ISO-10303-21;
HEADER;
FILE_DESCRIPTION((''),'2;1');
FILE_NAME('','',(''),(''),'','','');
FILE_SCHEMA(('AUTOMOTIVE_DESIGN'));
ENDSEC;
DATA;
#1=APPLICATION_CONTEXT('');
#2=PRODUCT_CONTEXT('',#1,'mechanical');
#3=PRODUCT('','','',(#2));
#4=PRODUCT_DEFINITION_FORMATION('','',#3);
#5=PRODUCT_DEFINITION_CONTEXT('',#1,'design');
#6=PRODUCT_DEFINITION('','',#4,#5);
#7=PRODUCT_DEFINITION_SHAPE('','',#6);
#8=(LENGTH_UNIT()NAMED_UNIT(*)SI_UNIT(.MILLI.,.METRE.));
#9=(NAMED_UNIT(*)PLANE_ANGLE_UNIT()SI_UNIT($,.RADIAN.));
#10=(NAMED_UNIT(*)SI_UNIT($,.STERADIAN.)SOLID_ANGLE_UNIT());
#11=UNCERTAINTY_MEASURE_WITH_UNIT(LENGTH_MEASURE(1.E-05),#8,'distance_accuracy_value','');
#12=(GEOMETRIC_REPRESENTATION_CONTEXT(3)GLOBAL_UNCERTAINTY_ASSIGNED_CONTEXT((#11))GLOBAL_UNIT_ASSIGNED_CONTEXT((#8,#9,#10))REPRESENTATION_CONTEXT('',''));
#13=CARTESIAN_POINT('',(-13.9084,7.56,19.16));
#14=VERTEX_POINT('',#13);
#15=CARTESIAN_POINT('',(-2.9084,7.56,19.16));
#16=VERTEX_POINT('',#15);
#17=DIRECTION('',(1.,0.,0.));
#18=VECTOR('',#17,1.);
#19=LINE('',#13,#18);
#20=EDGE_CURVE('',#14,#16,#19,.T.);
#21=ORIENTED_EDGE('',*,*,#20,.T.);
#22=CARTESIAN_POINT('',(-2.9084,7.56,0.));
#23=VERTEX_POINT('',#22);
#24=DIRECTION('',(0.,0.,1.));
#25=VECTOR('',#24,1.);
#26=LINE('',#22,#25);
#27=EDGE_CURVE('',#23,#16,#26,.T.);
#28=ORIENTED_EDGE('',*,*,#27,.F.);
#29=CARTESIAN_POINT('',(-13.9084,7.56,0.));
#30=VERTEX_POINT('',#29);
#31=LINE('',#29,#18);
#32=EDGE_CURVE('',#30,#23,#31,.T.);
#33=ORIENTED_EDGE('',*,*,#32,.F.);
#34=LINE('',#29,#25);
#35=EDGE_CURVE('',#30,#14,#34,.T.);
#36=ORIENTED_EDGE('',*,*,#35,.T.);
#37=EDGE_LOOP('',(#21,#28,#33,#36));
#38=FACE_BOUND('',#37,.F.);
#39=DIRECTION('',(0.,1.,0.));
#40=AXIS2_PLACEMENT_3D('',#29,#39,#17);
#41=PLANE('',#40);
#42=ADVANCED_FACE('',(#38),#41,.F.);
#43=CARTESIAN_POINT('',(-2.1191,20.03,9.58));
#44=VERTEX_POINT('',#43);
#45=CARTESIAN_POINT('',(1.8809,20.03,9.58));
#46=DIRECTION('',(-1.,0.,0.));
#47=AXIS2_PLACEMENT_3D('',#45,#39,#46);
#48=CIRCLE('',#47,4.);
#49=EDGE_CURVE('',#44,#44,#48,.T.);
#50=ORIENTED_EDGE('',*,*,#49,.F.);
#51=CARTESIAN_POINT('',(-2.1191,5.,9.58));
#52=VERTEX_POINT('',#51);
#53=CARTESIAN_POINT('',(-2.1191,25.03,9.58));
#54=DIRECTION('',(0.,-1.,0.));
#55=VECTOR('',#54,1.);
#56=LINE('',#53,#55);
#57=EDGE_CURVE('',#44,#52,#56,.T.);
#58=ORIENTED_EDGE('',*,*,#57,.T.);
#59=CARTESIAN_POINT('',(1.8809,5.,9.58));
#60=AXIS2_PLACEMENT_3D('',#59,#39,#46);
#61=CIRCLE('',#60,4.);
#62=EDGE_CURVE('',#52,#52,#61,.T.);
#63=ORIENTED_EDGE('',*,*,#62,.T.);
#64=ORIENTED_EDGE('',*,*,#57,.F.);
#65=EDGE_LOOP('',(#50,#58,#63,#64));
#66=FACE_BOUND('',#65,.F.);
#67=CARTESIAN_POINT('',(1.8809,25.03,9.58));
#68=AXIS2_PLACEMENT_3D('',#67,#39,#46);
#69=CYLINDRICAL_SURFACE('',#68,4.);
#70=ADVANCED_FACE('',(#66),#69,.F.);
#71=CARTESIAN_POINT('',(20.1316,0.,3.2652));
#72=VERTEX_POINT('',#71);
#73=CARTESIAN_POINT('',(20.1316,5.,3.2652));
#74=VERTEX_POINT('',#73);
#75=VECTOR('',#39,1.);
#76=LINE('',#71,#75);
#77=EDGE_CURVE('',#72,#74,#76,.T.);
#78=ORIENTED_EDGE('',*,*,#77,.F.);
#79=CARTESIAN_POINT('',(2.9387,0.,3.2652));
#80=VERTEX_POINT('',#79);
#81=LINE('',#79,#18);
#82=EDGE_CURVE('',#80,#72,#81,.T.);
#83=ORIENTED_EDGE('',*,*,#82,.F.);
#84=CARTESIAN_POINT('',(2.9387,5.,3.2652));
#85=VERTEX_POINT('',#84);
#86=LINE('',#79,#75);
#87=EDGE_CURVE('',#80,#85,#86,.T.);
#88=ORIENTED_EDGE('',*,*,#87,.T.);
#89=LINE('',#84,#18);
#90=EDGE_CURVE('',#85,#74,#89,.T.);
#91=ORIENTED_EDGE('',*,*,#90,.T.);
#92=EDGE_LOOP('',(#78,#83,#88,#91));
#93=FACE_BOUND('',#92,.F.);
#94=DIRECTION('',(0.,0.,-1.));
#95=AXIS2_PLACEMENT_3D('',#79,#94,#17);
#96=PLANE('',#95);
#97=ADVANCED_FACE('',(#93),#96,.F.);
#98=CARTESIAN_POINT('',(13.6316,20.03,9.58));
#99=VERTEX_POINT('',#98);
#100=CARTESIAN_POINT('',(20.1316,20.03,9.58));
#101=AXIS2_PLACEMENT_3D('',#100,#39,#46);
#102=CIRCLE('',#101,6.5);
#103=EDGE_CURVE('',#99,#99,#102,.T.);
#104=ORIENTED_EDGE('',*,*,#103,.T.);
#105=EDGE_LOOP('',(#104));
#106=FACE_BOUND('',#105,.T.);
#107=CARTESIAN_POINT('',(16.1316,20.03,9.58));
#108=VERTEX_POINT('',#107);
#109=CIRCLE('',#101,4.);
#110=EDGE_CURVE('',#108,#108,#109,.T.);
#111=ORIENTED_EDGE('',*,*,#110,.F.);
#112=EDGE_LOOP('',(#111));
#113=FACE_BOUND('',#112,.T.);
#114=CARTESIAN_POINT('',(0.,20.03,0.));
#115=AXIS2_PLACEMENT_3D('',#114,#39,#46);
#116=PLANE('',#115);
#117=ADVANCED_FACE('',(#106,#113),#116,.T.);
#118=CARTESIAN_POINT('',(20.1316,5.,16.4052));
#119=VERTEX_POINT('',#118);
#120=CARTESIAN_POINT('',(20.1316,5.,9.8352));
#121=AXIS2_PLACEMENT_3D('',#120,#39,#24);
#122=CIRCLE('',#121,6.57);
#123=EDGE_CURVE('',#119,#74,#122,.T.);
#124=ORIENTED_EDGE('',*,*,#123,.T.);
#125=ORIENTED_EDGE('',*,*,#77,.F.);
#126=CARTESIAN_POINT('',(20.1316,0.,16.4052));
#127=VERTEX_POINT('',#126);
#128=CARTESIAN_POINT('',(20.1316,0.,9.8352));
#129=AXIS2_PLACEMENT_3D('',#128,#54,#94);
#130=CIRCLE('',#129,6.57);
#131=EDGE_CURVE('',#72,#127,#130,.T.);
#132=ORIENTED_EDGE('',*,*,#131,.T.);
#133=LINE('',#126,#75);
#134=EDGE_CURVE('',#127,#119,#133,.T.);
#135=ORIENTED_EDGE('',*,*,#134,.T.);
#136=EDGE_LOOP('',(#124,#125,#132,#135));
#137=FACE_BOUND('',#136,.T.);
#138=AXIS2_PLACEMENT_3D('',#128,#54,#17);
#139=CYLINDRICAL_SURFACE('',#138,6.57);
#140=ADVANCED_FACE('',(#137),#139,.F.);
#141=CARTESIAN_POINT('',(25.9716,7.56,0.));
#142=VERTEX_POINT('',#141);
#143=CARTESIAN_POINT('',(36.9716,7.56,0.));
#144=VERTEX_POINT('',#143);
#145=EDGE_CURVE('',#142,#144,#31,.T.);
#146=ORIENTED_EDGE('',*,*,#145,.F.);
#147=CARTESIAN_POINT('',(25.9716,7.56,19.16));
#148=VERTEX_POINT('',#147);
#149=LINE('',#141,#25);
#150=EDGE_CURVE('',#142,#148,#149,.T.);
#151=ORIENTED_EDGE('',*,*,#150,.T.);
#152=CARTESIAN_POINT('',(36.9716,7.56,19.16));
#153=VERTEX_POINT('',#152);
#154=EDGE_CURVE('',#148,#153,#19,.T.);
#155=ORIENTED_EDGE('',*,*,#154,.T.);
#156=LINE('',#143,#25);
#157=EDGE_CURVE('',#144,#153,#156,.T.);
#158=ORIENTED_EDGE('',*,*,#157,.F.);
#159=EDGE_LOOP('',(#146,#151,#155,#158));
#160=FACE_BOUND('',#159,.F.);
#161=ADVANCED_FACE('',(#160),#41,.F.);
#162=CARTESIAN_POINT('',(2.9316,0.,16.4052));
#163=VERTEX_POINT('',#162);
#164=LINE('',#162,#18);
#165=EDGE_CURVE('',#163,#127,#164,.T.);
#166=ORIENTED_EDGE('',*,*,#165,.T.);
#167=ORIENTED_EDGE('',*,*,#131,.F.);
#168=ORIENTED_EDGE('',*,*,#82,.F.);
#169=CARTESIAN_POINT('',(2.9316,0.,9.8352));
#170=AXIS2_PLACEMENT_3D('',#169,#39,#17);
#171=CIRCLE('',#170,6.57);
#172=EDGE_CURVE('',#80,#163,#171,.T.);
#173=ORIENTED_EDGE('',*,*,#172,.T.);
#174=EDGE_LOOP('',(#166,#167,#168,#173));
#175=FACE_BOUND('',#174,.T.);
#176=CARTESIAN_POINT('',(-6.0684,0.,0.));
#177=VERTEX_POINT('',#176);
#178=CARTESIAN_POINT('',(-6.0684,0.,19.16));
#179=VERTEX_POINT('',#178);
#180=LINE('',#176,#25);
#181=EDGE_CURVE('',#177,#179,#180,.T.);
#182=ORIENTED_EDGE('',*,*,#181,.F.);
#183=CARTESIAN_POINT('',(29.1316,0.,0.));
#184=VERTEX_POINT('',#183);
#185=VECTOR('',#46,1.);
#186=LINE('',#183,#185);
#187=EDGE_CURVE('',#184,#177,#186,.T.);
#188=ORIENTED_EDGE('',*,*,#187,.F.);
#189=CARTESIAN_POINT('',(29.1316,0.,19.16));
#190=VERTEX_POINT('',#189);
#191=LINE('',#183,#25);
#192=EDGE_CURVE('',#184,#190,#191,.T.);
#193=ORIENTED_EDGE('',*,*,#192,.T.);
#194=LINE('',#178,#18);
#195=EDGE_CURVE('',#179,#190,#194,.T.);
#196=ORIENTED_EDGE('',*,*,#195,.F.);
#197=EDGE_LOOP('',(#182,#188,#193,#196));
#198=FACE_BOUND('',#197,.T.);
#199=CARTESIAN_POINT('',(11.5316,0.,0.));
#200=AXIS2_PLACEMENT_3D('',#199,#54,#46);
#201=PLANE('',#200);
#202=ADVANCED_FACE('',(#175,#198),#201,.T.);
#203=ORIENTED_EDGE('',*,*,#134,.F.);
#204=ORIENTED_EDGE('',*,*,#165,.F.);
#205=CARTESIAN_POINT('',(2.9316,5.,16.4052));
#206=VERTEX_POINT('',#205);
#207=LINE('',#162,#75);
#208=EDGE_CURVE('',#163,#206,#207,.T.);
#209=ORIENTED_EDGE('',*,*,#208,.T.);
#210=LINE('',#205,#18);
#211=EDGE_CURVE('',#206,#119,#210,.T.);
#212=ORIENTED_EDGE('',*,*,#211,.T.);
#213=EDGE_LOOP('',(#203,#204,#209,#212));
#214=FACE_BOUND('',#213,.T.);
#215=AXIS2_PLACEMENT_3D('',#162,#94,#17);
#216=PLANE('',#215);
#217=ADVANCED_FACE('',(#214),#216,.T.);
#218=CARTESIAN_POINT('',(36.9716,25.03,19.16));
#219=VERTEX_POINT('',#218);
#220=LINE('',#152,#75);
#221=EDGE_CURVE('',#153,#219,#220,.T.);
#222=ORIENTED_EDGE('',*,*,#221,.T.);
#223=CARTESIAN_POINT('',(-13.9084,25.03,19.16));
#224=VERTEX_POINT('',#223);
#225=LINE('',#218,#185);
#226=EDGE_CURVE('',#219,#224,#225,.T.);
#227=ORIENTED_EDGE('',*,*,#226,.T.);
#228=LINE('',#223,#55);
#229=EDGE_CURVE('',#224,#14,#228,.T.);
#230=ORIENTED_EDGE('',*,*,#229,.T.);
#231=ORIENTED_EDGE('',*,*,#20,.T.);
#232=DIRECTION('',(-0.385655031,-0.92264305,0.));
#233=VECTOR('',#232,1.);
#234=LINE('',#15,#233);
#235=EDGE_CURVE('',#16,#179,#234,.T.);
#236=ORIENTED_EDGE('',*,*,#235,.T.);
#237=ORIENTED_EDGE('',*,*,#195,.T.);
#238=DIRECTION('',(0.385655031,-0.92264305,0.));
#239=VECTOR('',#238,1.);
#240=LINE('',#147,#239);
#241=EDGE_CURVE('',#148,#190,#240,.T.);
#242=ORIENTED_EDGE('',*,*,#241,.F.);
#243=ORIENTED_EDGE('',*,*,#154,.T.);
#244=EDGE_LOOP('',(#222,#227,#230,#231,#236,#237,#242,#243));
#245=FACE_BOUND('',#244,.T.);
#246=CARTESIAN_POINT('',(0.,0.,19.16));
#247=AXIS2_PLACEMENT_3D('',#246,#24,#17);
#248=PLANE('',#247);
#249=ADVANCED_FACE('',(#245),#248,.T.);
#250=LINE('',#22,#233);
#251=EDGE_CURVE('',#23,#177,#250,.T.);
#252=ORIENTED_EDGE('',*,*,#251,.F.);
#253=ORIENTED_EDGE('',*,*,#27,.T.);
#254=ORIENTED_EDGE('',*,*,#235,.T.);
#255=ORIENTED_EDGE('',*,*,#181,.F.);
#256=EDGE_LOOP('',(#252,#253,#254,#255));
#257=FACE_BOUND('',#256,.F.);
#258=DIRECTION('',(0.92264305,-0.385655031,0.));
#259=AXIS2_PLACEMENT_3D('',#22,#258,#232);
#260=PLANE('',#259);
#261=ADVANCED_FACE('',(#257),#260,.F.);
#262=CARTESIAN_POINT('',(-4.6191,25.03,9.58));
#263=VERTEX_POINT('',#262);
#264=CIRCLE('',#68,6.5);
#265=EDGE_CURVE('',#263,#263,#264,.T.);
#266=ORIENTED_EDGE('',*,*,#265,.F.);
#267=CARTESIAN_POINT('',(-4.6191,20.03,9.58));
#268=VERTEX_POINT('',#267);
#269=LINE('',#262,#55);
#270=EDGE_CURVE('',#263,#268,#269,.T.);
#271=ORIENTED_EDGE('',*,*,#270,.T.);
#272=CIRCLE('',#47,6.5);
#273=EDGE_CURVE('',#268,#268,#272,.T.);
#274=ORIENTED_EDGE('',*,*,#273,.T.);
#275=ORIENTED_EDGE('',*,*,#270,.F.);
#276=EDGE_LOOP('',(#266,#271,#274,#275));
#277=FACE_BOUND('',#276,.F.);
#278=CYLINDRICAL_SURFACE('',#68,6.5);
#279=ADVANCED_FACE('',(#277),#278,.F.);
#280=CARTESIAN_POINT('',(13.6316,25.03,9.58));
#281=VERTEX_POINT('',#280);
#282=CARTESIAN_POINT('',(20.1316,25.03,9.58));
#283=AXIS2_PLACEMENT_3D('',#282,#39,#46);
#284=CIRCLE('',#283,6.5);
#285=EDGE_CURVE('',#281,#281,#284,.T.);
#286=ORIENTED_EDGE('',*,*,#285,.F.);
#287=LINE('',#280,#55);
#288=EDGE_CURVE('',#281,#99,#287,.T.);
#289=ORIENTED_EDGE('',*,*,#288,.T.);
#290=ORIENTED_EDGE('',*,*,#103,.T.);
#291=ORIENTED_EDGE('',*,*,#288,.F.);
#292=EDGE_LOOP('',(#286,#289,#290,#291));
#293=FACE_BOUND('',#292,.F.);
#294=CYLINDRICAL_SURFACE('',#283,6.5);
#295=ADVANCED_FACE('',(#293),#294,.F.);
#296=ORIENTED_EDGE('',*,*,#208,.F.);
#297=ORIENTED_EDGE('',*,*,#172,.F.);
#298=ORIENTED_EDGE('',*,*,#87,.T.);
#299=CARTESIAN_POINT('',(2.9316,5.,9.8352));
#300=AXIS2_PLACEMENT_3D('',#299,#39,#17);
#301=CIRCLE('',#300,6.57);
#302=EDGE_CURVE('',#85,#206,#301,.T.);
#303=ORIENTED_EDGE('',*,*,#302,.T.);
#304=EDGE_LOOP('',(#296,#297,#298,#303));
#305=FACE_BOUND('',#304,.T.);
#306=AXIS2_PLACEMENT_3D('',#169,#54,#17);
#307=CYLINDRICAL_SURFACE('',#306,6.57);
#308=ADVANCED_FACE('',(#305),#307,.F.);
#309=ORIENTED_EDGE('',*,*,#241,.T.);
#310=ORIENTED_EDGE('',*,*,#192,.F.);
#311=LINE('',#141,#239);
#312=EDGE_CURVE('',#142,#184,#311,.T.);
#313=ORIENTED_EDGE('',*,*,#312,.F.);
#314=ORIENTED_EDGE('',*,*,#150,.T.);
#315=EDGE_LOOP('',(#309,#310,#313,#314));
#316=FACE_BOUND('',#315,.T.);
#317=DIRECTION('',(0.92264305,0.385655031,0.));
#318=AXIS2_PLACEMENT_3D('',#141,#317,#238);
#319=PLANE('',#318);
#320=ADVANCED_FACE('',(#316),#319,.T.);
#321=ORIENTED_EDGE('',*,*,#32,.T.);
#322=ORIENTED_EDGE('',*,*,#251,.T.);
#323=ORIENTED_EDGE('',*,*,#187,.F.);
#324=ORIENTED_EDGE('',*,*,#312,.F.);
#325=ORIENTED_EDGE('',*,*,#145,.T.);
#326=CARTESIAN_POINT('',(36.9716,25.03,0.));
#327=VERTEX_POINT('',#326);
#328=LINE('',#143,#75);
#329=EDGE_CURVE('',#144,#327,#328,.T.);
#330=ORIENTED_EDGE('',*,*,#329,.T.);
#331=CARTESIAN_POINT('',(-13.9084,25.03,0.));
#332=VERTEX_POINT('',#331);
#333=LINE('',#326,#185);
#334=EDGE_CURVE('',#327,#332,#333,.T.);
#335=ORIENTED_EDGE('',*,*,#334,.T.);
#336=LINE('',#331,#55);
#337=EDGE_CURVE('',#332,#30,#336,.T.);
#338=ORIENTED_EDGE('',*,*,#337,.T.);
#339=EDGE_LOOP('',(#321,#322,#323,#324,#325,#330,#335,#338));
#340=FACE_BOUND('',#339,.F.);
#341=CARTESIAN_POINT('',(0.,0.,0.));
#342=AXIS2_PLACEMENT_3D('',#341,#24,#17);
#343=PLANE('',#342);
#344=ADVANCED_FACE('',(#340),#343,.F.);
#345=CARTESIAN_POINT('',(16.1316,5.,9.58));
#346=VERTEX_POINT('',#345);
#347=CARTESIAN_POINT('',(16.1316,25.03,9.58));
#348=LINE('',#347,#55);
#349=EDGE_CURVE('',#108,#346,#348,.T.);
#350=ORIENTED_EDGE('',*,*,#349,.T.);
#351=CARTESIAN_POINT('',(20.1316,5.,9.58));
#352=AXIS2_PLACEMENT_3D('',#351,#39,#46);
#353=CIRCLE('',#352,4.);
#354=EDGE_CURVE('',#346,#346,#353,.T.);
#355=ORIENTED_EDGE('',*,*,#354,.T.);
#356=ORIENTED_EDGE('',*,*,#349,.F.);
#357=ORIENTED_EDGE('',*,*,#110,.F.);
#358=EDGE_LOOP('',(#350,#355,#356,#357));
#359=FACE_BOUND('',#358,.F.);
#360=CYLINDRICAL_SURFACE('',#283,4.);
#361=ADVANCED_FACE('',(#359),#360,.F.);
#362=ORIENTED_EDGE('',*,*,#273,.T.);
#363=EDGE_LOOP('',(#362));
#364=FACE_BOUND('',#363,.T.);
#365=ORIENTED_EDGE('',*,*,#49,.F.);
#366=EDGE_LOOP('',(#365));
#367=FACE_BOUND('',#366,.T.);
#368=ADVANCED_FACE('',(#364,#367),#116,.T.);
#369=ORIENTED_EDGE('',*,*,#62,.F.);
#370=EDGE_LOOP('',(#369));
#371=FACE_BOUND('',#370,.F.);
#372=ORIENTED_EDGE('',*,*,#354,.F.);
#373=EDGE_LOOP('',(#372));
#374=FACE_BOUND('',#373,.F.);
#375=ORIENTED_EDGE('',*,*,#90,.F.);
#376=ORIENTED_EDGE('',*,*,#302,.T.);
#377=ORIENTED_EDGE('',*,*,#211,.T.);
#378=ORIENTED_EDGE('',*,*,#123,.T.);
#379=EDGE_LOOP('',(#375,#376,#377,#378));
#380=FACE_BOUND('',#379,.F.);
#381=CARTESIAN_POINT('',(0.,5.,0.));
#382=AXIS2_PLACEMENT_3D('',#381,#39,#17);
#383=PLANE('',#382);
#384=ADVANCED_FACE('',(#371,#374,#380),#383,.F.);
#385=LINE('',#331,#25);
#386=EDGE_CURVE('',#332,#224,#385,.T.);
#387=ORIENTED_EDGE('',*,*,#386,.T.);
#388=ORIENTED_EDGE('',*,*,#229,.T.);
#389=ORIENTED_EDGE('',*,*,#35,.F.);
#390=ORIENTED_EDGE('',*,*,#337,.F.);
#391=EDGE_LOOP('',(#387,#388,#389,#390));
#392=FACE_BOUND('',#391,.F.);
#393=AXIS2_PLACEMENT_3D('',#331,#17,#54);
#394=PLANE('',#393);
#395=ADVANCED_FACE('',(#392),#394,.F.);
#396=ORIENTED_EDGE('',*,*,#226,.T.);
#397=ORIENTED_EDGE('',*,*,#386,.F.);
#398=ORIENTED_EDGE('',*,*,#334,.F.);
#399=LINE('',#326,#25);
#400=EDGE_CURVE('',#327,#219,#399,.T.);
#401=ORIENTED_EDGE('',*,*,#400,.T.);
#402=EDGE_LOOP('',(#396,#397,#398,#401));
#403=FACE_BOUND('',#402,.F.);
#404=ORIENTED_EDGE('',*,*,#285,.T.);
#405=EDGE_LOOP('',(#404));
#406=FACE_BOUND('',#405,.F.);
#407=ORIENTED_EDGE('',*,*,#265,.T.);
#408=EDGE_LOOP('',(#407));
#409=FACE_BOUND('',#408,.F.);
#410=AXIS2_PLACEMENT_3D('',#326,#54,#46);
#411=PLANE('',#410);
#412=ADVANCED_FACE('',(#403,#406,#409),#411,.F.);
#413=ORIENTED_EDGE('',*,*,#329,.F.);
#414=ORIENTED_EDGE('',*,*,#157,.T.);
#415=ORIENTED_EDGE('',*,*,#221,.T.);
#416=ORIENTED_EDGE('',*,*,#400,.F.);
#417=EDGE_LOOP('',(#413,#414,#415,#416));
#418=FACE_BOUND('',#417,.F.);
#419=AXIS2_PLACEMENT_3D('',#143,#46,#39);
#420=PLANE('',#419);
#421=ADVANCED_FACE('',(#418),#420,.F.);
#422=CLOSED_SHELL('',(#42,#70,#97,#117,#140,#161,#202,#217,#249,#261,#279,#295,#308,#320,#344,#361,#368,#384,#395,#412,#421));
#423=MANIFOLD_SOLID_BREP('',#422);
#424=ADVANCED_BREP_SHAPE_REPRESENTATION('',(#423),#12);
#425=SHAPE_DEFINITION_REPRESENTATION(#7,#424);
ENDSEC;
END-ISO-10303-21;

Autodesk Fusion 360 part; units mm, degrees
sketch "Sketch1" plane through (0, 0, 0) normal (0, 0, 1) x (1, 0, 0)
  line L0 (-13.9084, 7.56) -> (36.9716, 7.56)
  line L1 (36.9716, 7.56) -> (36.9716, 25.03)
  line L2 (36.9716, 25.03) -> (-13.9084, 25.03)
  line L3 (-13.9084, 25.03) -> (-13.9084, 7.56)
  line L4 (-13.9084, 7.56) -> (-2.9084, 7.56) construction
  line L5 (36.9716, 7.56) -> (25.9716, 7.56) construction
  dimension "d4" = 50.88
  dimension "d5" = 17.47
  dimension "d7" = 11
  dimension "d8" = 11
sketch "Sketch2" plane through (0, 0, 0) normal (0, 0, 1) x (1, 0, 0)
  line L0 (11.5316, 0) -> (29.1316, 0)
  line L1 (11.5316, 0) -> (-6.0684, 0)
  line L2 (-13.9084, 7.56) -> (36.9716, 7.56)
  line L3 (-2.9084, 7.56) -> (-6.0684, 0)
  line L4 (25.9716, 7.56) -> (29.1316, 0)
  point P0 (-2.9084, 7.56)
  point P1 (25.9716, 7.56)
  dimension "d9" = 17.6
  dimension "d10" = 17.6
  dimension "d11" = 7.56
extrude "Extrude1" add sketch "Sketch1" sketch "Sketch2" along normal blind 19.16 of sketch 2
sketch "Sketch4" plane through (0, 0, 0) normal (0, 1, 0) x (1, 0, 0)
  circle A0 centre (2.9316, -9.8352) radius 6.57
  line L0 (-6.0684, 0) -> (-6.0684, -19.16)
  circle A1 centre (20.1316, -9.8352) radius 6.57
  line L1 (29.1316, 0) -> (29.1316, -19.16)
  line L2 (2.9316, -16.4052) -> (20.1316, -16.4052)
  line L3 (2.9387, -3.2652) -> (20.1316, -3.2652)
  dimension "d14" = 13.14
  dimension "d16" = 13.14
  dimension "d17" = 9
  dimension "d18" = 9
extrude "Extrude2" cut sketch "Sketch4" along normal blind 5
sketch "Sketch5" plane through (0, 25.03, 0) normal (0, 1, 0) x (-1, 0, 0)
  line L0 (-36.9716, 0) -> (13.9084, 0)
  line L1 (13.9084, 0) -> (13.9084, 19.16)
  line L2 (13.9084, 19.16) -> (-36.9716, 19.16)
  line L3 (-36.9716, 19.16) -> (-36.9716, 0)
  circle A0 centre (-20.1316, 9.58) radius 6.5
  circle A1 centre (-1.8809, 9.58) radius 6.5
  circle A2 centre (-20.1316, 9.58) radius 4
  circle A3 centre (-1.8809, 9.58) radius 4
  dimension "d21" = 13
  dimension "d22" = 13
  dimension "d24" = 9.58
  dimension "d25" = 9.58
  dimension "d26" = 8
  dimension "d27" = 8
extrude "Extrude3" cut sketch "Sketch5" against normal blind 5 contours A0 | A1
extrude "Extrude4" cut 2 faces at (2.6679, 25.03, 7.9458) (19.0151, 25.03, 9.0276) along direction (0, 1, 0) up to surface end surface through (0, 5, 0) normal (0, -1, 0) offset 0
equation "d12 = thickness"
equation "d19 = boltSink"
equation "d21 = boltH"
equation "d22 = boltH"
equation "thickness = 19.16 mm"
equation "d24 = ( 19.16 / 2 ) * 1 mm"
equation "d26 = bolt"
equation "d27 = bolt"
equation "boltH = 13 mm"
equation "boltSink = 5 mm"
equation "bolt = 8 mm"
